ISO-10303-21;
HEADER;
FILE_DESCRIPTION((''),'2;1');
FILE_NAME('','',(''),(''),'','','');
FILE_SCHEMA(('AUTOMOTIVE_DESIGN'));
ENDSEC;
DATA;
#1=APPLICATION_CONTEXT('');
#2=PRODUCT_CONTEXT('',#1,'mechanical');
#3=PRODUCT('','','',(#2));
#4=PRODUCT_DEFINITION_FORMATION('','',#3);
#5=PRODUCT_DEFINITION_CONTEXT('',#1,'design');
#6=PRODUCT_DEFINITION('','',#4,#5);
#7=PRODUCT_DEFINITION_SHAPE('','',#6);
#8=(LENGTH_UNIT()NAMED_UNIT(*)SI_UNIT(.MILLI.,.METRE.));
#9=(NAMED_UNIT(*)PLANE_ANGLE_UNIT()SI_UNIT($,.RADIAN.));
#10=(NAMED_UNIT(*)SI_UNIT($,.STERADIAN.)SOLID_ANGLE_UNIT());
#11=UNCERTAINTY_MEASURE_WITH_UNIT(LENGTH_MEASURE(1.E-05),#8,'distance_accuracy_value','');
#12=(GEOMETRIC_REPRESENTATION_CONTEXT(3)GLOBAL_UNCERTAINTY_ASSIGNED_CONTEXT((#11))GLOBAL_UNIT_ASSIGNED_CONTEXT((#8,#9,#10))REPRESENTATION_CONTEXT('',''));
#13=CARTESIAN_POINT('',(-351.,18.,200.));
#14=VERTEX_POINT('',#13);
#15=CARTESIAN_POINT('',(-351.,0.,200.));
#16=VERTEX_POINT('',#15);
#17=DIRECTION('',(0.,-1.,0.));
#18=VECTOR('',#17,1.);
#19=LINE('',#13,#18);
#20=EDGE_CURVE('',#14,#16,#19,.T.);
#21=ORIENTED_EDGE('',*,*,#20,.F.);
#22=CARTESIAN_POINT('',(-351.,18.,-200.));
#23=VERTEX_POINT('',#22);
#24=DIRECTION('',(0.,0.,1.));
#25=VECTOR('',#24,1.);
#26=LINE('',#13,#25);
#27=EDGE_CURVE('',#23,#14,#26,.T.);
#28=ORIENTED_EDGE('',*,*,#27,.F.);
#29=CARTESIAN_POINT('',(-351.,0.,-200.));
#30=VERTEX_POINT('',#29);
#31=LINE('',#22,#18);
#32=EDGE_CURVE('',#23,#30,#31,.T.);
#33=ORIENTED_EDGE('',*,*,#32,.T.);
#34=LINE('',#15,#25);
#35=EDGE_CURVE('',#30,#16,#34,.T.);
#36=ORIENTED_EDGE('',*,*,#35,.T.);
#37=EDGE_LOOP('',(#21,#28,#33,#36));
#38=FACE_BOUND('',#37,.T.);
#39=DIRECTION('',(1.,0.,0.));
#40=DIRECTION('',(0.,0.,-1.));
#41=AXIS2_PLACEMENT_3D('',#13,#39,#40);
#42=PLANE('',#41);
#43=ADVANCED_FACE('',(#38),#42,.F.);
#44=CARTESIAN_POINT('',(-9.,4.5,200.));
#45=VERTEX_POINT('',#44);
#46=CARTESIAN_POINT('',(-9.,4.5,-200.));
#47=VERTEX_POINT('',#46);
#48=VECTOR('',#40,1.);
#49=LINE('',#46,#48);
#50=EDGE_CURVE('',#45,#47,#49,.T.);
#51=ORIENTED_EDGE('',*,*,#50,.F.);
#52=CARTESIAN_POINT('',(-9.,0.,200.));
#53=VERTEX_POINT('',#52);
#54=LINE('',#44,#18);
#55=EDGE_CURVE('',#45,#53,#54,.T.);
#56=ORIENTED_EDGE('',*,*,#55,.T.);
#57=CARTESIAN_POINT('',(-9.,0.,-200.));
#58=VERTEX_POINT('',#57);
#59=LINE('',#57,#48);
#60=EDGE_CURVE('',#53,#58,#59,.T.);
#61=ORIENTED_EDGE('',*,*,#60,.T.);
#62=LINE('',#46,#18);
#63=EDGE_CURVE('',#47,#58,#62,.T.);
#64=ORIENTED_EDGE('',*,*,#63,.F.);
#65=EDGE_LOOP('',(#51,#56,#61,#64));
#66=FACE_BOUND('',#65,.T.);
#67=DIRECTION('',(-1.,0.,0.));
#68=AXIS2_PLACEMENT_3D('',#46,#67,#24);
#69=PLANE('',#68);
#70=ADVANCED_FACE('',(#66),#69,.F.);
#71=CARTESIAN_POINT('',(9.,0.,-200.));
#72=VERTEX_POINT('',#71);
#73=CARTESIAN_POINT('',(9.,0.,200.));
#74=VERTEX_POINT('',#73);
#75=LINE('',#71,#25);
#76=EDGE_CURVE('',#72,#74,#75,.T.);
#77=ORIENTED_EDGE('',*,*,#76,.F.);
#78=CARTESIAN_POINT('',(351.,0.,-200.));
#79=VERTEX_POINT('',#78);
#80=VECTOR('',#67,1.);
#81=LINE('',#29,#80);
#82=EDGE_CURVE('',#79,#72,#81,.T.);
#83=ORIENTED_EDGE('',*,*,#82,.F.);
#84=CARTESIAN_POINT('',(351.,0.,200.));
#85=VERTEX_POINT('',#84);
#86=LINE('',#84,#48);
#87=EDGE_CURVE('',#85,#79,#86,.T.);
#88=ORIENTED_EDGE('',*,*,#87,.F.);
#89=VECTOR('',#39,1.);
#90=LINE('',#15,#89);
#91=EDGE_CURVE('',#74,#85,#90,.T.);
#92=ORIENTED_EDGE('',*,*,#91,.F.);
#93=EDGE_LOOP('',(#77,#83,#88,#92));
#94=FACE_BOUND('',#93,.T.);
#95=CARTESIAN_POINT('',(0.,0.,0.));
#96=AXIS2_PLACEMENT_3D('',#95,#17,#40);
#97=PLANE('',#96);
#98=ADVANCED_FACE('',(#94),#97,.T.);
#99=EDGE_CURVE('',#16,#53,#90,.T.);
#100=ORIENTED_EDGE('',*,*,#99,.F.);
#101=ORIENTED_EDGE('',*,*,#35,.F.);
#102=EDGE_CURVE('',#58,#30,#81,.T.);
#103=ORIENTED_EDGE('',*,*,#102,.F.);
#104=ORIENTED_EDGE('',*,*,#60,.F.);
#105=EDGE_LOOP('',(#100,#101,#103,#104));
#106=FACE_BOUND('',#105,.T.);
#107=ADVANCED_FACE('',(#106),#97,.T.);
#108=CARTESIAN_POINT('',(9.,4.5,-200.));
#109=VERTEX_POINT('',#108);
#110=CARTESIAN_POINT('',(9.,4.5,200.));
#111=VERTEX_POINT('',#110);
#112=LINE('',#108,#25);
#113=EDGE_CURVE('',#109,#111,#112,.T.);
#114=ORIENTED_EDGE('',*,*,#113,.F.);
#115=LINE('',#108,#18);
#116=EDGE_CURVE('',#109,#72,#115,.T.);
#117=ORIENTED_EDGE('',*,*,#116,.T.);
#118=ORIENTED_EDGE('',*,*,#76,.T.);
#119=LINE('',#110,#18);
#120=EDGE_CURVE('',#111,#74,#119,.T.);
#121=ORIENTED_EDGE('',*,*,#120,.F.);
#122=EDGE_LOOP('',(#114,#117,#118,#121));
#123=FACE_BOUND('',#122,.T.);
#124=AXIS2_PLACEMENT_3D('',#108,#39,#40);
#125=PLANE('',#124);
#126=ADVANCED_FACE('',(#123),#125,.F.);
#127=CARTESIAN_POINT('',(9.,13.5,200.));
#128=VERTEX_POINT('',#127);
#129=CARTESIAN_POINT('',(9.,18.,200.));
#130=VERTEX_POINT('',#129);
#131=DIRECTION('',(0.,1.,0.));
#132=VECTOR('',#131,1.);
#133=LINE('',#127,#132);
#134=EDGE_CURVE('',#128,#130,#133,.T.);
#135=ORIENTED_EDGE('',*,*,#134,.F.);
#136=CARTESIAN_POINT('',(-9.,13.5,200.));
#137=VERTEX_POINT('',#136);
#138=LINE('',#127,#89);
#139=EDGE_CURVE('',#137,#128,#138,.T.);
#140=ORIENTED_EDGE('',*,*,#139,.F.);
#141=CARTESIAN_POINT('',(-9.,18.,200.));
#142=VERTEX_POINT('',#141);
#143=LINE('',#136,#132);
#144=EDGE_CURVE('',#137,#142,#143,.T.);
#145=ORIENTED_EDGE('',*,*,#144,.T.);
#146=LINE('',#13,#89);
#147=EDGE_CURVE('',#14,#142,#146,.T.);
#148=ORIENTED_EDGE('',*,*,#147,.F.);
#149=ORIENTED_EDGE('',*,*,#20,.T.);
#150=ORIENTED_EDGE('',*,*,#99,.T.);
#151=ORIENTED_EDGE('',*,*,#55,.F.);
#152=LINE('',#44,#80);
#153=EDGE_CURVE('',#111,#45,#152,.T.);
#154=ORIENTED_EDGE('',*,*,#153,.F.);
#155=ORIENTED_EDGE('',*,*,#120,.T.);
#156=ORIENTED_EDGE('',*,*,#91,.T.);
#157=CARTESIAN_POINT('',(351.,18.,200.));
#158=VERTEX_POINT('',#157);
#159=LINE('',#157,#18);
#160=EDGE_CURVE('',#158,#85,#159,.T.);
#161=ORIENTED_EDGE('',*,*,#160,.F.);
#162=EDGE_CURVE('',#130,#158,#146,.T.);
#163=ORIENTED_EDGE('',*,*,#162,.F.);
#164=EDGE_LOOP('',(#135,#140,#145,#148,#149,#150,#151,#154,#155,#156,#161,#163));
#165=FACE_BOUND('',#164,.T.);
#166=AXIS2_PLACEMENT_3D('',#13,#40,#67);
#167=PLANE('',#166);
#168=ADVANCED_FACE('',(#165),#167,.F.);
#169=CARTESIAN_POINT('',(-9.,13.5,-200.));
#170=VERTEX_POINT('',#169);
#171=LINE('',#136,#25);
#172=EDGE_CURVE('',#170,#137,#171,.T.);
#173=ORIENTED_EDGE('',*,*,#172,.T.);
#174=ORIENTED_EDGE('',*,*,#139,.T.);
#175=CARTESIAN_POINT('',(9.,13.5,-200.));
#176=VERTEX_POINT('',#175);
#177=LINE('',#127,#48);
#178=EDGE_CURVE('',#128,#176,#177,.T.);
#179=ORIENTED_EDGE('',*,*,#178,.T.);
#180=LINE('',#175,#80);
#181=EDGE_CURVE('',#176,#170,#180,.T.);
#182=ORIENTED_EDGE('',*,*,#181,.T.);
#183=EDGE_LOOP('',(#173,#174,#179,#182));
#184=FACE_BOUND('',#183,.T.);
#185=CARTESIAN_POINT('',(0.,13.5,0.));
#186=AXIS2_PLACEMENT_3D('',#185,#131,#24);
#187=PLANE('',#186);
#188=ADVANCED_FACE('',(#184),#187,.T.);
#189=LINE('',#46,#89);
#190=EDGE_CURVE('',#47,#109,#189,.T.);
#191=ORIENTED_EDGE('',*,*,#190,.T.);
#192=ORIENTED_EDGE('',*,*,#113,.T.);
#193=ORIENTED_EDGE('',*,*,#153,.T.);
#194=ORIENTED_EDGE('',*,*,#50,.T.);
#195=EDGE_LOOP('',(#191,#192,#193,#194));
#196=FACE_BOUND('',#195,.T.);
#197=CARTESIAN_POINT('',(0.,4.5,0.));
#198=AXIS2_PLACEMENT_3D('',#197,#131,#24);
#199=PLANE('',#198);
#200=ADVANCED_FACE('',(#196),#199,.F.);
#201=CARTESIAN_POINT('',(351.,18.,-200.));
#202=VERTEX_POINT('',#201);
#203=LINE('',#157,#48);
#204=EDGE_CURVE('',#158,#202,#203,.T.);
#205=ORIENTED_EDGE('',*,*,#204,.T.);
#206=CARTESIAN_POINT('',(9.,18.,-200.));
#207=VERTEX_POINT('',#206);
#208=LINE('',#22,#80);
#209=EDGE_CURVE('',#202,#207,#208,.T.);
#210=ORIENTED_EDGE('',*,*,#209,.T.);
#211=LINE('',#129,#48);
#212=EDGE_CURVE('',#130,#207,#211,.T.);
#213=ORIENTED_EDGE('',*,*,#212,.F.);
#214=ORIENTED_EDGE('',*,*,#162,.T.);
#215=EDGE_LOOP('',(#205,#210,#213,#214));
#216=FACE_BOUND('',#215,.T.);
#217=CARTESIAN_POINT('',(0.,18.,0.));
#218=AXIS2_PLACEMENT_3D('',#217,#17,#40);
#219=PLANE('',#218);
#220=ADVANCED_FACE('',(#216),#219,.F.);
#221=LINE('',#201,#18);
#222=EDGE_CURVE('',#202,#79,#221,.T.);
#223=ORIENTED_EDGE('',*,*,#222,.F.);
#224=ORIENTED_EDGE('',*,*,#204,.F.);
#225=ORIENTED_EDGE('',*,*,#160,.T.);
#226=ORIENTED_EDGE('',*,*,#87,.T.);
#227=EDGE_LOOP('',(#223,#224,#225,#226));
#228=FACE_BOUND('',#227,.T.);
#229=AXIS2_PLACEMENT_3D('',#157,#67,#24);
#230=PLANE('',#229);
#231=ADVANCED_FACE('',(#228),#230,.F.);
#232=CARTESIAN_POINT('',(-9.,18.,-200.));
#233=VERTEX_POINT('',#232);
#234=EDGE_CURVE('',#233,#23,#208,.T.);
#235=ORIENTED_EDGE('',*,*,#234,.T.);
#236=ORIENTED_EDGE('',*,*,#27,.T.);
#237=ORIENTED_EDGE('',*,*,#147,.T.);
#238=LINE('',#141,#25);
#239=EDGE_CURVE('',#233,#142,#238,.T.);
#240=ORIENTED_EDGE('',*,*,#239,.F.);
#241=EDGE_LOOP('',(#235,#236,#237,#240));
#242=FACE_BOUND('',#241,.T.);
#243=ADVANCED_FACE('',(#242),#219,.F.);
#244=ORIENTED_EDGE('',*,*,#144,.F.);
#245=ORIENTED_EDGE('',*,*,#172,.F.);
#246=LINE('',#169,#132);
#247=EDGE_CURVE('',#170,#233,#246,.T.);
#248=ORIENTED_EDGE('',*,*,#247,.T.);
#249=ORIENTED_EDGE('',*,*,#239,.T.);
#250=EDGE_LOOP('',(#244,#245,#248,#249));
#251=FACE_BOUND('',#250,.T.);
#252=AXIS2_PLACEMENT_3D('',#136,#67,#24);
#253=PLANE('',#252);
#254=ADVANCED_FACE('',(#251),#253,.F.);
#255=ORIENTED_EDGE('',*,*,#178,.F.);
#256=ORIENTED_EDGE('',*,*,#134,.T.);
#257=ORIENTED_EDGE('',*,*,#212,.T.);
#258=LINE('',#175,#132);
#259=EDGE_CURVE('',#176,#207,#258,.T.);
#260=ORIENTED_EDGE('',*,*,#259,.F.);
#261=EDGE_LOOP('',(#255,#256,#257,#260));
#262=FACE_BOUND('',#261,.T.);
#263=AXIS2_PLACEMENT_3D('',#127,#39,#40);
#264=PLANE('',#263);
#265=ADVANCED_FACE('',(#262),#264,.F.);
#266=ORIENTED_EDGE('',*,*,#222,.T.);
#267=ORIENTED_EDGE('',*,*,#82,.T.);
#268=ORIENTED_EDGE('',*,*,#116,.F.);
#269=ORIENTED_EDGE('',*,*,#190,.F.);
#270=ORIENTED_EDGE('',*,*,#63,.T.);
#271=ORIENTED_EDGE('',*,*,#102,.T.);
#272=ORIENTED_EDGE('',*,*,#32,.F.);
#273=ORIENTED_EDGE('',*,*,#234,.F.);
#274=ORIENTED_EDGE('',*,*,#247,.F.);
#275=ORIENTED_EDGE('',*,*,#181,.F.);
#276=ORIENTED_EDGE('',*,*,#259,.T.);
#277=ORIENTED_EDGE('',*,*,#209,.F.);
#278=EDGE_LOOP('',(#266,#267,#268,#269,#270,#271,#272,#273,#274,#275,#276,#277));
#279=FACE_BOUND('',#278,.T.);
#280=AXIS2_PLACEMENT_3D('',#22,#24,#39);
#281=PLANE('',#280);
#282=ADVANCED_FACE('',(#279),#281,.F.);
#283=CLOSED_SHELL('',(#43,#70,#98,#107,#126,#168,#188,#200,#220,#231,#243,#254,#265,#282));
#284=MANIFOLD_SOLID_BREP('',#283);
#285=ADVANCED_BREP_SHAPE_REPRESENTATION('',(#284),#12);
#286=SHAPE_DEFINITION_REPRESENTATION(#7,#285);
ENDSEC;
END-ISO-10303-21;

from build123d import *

# Parameters (mm, degrees)
SKETCH1_W           = 702
SKETCH1_H           = 400
BOSS_EXTRUDE1_DEPTH = 18
SKETCH2_W           = 18
SKETCH2_H           = 400
CUT_EXTRUDE1_DEPTH  = 4.5
SKETCH3_W           = 18
SKETCH3_H           = 400
CUT_EXTRUDE2_DEPTH  = 4.5


with BuildPart() as part:
    # Sketch1 → Boss-Extrude1 (new body)
    with BuildSketch(Plane(origin=(0, 0, 0), x_dir=(1, 0, 0), z_dir=(0, 1, 0))):
        Rectangle(SKETCH1_W, SKETCH1_H)
    extrude(amount=BOSS_EXTRUDE1_DEPTH)

    # Sketch2 → Cut-Extrude1 (cut)
    with BuildSketch(Plane(origin=(0, 18, 0), x_dir=(1, 0, 0), z_dir=(0, 1, 0))):
        Rectangle(SKETCH2_W, SKETCH2_H)
    extrude(amount=-CUT_EXTRUDE1_DEPTH, mode=Mode.SUBTRACT)

    # Sketch3 → Cut-Extrude2 (cut)
    with BuildSketch(Plane(origin=(0, 0, 0), x_dir=(-1, 0, 0), z_dir=(0, -1, 0))):
        Rectangle(SKETCH3_W, SKETCH3_H)
    extrude(amount=-CUT_EXTRUDE2_DEPTH, mode=Mode.SUBTRACT)


solid = part.part
